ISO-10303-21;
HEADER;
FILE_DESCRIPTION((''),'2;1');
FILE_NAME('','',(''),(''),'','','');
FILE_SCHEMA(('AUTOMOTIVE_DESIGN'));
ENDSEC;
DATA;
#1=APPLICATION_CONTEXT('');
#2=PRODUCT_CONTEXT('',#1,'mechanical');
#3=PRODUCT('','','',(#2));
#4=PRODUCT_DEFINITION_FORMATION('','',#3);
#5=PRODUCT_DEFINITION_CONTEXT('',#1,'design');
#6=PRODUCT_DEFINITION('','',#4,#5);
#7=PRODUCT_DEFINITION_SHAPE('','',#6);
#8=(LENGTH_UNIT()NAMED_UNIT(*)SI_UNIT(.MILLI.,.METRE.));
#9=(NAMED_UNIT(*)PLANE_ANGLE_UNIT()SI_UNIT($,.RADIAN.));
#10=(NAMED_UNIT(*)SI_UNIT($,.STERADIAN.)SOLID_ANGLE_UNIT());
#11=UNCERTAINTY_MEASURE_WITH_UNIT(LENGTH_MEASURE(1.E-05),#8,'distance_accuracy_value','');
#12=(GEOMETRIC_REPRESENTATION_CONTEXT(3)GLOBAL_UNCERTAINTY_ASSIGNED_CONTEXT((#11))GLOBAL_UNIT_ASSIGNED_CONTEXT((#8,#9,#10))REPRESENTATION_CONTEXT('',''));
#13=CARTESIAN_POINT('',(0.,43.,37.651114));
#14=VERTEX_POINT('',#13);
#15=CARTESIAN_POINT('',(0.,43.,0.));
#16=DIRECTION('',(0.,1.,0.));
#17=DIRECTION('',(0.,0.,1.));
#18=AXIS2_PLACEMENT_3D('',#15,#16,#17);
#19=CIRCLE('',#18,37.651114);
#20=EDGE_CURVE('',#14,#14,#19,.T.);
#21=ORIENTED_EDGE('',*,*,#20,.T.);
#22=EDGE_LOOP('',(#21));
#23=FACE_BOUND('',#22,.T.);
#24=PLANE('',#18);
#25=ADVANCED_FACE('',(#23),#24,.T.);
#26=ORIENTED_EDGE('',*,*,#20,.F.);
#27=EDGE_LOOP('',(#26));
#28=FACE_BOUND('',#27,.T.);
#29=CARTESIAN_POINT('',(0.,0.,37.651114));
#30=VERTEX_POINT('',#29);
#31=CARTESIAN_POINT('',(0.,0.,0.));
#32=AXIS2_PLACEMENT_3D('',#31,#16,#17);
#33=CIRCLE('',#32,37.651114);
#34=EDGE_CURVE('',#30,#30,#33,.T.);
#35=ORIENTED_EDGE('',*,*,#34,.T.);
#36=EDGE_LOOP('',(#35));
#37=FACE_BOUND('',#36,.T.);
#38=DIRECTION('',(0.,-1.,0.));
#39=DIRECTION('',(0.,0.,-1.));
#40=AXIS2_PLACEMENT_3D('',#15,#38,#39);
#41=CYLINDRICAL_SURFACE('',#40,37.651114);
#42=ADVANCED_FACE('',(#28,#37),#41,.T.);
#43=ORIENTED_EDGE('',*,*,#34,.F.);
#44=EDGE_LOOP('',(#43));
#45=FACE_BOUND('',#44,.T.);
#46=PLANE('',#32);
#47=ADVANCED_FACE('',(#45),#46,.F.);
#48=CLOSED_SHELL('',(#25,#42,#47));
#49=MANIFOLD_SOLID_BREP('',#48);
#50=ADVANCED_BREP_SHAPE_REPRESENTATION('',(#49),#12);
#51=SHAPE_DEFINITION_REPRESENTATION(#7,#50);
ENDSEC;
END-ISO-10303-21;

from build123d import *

# Parameters (mm, degrees)
SKETCH1_R      = 37.651114002
EXTRUDE1_DEPTH = 43


with BuildPart() as part:
    # Sketch1 → Extrude1 (new body)
    with BuildSketch(Plane(origin=(0, 0, 0), x_dir=(1, 0, 0), z_dir=(0, 1, 0))):
        with Locations(Location((0, 0, 0), (0, 0, 270))):
            Circle(SKETCH1_R)
    extrude(amount=EXTRUDE1_DEPTH)


solid = part.part
